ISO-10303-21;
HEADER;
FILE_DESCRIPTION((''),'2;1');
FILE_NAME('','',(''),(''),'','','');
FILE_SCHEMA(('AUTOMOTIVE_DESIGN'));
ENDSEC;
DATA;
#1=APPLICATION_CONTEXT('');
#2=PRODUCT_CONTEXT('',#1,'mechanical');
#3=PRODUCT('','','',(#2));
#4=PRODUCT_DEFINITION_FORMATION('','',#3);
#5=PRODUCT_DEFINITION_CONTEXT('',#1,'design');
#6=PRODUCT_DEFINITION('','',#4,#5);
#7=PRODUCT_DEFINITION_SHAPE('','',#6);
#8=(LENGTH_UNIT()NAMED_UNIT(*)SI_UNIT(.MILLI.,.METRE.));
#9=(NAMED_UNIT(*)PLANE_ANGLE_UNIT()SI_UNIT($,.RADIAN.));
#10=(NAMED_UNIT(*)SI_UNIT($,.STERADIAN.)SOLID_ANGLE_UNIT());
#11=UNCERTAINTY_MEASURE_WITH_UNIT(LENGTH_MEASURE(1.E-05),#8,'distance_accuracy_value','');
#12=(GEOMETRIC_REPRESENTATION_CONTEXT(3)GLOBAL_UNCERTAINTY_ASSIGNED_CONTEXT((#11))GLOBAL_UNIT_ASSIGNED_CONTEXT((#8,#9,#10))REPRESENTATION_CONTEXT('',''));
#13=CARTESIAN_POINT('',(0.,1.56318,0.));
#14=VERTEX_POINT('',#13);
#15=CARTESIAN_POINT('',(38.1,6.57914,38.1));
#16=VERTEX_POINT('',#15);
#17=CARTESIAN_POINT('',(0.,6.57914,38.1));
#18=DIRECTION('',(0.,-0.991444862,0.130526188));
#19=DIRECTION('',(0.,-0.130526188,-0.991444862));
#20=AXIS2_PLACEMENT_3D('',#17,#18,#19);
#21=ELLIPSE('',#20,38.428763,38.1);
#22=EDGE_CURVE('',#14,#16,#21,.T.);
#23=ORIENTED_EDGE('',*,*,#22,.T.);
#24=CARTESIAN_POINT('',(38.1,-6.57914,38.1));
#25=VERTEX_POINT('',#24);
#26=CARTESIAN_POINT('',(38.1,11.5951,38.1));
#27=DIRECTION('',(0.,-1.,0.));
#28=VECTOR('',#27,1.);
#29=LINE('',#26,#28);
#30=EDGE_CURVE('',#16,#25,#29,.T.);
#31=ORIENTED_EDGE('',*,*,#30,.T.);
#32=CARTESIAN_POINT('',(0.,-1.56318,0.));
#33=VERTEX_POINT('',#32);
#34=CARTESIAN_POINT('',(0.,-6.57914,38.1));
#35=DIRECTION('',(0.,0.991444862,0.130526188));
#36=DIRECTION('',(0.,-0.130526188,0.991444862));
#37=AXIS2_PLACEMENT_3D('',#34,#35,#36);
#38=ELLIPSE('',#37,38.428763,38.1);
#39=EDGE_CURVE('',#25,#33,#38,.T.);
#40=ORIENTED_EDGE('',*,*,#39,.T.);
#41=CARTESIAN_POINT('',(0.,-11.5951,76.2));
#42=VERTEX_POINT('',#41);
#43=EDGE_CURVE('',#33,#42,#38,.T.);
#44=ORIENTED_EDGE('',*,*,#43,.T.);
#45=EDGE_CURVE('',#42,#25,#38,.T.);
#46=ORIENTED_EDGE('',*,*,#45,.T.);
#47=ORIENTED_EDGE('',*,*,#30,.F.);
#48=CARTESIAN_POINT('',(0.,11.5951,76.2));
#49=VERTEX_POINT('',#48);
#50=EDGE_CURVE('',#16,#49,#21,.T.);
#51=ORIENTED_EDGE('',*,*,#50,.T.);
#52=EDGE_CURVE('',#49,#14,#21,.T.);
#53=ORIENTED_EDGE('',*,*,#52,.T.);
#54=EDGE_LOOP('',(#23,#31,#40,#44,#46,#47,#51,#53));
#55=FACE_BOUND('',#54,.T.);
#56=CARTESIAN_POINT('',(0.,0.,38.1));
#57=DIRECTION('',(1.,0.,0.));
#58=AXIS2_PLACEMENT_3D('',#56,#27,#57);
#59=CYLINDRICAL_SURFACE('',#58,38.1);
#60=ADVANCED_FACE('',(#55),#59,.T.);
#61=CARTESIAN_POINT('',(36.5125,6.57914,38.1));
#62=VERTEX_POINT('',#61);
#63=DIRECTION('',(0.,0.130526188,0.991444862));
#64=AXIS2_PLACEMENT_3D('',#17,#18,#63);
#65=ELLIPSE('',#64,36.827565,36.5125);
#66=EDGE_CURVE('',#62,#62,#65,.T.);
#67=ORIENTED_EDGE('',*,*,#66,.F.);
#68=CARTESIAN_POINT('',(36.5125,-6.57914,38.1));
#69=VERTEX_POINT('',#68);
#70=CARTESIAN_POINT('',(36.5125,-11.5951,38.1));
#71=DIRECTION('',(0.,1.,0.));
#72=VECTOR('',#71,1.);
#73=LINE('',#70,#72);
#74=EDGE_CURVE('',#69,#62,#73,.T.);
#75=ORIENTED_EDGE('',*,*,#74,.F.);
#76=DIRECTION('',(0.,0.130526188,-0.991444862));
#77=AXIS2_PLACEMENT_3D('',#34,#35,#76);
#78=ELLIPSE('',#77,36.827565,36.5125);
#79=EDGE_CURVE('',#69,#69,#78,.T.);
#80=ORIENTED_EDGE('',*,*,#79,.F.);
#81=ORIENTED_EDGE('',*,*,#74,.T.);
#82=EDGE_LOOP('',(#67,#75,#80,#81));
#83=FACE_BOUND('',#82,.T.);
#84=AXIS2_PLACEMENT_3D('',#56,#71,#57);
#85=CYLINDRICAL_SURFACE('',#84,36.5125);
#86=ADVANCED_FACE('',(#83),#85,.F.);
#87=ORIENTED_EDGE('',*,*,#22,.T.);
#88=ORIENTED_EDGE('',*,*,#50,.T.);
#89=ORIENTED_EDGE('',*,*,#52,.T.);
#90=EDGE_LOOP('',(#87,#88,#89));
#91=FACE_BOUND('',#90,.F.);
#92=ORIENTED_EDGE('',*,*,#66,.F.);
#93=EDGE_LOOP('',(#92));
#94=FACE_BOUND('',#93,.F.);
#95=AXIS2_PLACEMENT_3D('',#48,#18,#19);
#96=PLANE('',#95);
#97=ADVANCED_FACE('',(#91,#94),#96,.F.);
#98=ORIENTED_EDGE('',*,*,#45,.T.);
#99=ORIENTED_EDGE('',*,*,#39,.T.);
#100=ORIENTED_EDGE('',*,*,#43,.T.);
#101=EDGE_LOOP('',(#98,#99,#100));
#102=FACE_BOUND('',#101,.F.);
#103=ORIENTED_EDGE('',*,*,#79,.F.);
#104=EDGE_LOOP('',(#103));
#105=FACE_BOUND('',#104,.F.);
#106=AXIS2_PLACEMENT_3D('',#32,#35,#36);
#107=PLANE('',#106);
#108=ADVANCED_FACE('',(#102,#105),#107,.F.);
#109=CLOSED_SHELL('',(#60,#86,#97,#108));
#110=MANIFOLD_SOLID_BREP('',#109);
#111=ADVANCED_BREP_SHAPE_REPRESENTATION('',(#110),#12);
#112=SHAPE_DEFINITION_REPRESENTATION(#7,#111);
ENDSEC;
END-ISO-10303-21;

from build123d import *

# Parameters (mm, degrees)
F0_R     = 38.1
F0_R_2   = 36.5125
F1_DEPTH = 11.5951
F3_DEPTH = 50.8


with BuildPart() as f1:
    # F0 (on Front) → F1 (new body, symmetric)
    with BuildSketch(Plane.XZ):
        with Locations((0, 38.1)):
            Circle(F0_R)
        with Locations((0, 38.1)):
            Circle(F0_R_2, mode=Mode.SUBTRACT)
    extrude(amount=F1_DEPTH, both=True)

    # F2 (on Right) → F3 (cut, symmetric)
    with BuildSketch(Plane.YZ):
        Polygon((1.56318, 0), (-1.56318, 0), (-11.5951, 76.2), (-11.5951, -5.492948), (11.5951, -5.492948), (11.5951, 76.2), align=None)
    extrude(amount=F3_DEPTH, both=True, mode=Mode.SUBTRACT)


solid = f1.part
